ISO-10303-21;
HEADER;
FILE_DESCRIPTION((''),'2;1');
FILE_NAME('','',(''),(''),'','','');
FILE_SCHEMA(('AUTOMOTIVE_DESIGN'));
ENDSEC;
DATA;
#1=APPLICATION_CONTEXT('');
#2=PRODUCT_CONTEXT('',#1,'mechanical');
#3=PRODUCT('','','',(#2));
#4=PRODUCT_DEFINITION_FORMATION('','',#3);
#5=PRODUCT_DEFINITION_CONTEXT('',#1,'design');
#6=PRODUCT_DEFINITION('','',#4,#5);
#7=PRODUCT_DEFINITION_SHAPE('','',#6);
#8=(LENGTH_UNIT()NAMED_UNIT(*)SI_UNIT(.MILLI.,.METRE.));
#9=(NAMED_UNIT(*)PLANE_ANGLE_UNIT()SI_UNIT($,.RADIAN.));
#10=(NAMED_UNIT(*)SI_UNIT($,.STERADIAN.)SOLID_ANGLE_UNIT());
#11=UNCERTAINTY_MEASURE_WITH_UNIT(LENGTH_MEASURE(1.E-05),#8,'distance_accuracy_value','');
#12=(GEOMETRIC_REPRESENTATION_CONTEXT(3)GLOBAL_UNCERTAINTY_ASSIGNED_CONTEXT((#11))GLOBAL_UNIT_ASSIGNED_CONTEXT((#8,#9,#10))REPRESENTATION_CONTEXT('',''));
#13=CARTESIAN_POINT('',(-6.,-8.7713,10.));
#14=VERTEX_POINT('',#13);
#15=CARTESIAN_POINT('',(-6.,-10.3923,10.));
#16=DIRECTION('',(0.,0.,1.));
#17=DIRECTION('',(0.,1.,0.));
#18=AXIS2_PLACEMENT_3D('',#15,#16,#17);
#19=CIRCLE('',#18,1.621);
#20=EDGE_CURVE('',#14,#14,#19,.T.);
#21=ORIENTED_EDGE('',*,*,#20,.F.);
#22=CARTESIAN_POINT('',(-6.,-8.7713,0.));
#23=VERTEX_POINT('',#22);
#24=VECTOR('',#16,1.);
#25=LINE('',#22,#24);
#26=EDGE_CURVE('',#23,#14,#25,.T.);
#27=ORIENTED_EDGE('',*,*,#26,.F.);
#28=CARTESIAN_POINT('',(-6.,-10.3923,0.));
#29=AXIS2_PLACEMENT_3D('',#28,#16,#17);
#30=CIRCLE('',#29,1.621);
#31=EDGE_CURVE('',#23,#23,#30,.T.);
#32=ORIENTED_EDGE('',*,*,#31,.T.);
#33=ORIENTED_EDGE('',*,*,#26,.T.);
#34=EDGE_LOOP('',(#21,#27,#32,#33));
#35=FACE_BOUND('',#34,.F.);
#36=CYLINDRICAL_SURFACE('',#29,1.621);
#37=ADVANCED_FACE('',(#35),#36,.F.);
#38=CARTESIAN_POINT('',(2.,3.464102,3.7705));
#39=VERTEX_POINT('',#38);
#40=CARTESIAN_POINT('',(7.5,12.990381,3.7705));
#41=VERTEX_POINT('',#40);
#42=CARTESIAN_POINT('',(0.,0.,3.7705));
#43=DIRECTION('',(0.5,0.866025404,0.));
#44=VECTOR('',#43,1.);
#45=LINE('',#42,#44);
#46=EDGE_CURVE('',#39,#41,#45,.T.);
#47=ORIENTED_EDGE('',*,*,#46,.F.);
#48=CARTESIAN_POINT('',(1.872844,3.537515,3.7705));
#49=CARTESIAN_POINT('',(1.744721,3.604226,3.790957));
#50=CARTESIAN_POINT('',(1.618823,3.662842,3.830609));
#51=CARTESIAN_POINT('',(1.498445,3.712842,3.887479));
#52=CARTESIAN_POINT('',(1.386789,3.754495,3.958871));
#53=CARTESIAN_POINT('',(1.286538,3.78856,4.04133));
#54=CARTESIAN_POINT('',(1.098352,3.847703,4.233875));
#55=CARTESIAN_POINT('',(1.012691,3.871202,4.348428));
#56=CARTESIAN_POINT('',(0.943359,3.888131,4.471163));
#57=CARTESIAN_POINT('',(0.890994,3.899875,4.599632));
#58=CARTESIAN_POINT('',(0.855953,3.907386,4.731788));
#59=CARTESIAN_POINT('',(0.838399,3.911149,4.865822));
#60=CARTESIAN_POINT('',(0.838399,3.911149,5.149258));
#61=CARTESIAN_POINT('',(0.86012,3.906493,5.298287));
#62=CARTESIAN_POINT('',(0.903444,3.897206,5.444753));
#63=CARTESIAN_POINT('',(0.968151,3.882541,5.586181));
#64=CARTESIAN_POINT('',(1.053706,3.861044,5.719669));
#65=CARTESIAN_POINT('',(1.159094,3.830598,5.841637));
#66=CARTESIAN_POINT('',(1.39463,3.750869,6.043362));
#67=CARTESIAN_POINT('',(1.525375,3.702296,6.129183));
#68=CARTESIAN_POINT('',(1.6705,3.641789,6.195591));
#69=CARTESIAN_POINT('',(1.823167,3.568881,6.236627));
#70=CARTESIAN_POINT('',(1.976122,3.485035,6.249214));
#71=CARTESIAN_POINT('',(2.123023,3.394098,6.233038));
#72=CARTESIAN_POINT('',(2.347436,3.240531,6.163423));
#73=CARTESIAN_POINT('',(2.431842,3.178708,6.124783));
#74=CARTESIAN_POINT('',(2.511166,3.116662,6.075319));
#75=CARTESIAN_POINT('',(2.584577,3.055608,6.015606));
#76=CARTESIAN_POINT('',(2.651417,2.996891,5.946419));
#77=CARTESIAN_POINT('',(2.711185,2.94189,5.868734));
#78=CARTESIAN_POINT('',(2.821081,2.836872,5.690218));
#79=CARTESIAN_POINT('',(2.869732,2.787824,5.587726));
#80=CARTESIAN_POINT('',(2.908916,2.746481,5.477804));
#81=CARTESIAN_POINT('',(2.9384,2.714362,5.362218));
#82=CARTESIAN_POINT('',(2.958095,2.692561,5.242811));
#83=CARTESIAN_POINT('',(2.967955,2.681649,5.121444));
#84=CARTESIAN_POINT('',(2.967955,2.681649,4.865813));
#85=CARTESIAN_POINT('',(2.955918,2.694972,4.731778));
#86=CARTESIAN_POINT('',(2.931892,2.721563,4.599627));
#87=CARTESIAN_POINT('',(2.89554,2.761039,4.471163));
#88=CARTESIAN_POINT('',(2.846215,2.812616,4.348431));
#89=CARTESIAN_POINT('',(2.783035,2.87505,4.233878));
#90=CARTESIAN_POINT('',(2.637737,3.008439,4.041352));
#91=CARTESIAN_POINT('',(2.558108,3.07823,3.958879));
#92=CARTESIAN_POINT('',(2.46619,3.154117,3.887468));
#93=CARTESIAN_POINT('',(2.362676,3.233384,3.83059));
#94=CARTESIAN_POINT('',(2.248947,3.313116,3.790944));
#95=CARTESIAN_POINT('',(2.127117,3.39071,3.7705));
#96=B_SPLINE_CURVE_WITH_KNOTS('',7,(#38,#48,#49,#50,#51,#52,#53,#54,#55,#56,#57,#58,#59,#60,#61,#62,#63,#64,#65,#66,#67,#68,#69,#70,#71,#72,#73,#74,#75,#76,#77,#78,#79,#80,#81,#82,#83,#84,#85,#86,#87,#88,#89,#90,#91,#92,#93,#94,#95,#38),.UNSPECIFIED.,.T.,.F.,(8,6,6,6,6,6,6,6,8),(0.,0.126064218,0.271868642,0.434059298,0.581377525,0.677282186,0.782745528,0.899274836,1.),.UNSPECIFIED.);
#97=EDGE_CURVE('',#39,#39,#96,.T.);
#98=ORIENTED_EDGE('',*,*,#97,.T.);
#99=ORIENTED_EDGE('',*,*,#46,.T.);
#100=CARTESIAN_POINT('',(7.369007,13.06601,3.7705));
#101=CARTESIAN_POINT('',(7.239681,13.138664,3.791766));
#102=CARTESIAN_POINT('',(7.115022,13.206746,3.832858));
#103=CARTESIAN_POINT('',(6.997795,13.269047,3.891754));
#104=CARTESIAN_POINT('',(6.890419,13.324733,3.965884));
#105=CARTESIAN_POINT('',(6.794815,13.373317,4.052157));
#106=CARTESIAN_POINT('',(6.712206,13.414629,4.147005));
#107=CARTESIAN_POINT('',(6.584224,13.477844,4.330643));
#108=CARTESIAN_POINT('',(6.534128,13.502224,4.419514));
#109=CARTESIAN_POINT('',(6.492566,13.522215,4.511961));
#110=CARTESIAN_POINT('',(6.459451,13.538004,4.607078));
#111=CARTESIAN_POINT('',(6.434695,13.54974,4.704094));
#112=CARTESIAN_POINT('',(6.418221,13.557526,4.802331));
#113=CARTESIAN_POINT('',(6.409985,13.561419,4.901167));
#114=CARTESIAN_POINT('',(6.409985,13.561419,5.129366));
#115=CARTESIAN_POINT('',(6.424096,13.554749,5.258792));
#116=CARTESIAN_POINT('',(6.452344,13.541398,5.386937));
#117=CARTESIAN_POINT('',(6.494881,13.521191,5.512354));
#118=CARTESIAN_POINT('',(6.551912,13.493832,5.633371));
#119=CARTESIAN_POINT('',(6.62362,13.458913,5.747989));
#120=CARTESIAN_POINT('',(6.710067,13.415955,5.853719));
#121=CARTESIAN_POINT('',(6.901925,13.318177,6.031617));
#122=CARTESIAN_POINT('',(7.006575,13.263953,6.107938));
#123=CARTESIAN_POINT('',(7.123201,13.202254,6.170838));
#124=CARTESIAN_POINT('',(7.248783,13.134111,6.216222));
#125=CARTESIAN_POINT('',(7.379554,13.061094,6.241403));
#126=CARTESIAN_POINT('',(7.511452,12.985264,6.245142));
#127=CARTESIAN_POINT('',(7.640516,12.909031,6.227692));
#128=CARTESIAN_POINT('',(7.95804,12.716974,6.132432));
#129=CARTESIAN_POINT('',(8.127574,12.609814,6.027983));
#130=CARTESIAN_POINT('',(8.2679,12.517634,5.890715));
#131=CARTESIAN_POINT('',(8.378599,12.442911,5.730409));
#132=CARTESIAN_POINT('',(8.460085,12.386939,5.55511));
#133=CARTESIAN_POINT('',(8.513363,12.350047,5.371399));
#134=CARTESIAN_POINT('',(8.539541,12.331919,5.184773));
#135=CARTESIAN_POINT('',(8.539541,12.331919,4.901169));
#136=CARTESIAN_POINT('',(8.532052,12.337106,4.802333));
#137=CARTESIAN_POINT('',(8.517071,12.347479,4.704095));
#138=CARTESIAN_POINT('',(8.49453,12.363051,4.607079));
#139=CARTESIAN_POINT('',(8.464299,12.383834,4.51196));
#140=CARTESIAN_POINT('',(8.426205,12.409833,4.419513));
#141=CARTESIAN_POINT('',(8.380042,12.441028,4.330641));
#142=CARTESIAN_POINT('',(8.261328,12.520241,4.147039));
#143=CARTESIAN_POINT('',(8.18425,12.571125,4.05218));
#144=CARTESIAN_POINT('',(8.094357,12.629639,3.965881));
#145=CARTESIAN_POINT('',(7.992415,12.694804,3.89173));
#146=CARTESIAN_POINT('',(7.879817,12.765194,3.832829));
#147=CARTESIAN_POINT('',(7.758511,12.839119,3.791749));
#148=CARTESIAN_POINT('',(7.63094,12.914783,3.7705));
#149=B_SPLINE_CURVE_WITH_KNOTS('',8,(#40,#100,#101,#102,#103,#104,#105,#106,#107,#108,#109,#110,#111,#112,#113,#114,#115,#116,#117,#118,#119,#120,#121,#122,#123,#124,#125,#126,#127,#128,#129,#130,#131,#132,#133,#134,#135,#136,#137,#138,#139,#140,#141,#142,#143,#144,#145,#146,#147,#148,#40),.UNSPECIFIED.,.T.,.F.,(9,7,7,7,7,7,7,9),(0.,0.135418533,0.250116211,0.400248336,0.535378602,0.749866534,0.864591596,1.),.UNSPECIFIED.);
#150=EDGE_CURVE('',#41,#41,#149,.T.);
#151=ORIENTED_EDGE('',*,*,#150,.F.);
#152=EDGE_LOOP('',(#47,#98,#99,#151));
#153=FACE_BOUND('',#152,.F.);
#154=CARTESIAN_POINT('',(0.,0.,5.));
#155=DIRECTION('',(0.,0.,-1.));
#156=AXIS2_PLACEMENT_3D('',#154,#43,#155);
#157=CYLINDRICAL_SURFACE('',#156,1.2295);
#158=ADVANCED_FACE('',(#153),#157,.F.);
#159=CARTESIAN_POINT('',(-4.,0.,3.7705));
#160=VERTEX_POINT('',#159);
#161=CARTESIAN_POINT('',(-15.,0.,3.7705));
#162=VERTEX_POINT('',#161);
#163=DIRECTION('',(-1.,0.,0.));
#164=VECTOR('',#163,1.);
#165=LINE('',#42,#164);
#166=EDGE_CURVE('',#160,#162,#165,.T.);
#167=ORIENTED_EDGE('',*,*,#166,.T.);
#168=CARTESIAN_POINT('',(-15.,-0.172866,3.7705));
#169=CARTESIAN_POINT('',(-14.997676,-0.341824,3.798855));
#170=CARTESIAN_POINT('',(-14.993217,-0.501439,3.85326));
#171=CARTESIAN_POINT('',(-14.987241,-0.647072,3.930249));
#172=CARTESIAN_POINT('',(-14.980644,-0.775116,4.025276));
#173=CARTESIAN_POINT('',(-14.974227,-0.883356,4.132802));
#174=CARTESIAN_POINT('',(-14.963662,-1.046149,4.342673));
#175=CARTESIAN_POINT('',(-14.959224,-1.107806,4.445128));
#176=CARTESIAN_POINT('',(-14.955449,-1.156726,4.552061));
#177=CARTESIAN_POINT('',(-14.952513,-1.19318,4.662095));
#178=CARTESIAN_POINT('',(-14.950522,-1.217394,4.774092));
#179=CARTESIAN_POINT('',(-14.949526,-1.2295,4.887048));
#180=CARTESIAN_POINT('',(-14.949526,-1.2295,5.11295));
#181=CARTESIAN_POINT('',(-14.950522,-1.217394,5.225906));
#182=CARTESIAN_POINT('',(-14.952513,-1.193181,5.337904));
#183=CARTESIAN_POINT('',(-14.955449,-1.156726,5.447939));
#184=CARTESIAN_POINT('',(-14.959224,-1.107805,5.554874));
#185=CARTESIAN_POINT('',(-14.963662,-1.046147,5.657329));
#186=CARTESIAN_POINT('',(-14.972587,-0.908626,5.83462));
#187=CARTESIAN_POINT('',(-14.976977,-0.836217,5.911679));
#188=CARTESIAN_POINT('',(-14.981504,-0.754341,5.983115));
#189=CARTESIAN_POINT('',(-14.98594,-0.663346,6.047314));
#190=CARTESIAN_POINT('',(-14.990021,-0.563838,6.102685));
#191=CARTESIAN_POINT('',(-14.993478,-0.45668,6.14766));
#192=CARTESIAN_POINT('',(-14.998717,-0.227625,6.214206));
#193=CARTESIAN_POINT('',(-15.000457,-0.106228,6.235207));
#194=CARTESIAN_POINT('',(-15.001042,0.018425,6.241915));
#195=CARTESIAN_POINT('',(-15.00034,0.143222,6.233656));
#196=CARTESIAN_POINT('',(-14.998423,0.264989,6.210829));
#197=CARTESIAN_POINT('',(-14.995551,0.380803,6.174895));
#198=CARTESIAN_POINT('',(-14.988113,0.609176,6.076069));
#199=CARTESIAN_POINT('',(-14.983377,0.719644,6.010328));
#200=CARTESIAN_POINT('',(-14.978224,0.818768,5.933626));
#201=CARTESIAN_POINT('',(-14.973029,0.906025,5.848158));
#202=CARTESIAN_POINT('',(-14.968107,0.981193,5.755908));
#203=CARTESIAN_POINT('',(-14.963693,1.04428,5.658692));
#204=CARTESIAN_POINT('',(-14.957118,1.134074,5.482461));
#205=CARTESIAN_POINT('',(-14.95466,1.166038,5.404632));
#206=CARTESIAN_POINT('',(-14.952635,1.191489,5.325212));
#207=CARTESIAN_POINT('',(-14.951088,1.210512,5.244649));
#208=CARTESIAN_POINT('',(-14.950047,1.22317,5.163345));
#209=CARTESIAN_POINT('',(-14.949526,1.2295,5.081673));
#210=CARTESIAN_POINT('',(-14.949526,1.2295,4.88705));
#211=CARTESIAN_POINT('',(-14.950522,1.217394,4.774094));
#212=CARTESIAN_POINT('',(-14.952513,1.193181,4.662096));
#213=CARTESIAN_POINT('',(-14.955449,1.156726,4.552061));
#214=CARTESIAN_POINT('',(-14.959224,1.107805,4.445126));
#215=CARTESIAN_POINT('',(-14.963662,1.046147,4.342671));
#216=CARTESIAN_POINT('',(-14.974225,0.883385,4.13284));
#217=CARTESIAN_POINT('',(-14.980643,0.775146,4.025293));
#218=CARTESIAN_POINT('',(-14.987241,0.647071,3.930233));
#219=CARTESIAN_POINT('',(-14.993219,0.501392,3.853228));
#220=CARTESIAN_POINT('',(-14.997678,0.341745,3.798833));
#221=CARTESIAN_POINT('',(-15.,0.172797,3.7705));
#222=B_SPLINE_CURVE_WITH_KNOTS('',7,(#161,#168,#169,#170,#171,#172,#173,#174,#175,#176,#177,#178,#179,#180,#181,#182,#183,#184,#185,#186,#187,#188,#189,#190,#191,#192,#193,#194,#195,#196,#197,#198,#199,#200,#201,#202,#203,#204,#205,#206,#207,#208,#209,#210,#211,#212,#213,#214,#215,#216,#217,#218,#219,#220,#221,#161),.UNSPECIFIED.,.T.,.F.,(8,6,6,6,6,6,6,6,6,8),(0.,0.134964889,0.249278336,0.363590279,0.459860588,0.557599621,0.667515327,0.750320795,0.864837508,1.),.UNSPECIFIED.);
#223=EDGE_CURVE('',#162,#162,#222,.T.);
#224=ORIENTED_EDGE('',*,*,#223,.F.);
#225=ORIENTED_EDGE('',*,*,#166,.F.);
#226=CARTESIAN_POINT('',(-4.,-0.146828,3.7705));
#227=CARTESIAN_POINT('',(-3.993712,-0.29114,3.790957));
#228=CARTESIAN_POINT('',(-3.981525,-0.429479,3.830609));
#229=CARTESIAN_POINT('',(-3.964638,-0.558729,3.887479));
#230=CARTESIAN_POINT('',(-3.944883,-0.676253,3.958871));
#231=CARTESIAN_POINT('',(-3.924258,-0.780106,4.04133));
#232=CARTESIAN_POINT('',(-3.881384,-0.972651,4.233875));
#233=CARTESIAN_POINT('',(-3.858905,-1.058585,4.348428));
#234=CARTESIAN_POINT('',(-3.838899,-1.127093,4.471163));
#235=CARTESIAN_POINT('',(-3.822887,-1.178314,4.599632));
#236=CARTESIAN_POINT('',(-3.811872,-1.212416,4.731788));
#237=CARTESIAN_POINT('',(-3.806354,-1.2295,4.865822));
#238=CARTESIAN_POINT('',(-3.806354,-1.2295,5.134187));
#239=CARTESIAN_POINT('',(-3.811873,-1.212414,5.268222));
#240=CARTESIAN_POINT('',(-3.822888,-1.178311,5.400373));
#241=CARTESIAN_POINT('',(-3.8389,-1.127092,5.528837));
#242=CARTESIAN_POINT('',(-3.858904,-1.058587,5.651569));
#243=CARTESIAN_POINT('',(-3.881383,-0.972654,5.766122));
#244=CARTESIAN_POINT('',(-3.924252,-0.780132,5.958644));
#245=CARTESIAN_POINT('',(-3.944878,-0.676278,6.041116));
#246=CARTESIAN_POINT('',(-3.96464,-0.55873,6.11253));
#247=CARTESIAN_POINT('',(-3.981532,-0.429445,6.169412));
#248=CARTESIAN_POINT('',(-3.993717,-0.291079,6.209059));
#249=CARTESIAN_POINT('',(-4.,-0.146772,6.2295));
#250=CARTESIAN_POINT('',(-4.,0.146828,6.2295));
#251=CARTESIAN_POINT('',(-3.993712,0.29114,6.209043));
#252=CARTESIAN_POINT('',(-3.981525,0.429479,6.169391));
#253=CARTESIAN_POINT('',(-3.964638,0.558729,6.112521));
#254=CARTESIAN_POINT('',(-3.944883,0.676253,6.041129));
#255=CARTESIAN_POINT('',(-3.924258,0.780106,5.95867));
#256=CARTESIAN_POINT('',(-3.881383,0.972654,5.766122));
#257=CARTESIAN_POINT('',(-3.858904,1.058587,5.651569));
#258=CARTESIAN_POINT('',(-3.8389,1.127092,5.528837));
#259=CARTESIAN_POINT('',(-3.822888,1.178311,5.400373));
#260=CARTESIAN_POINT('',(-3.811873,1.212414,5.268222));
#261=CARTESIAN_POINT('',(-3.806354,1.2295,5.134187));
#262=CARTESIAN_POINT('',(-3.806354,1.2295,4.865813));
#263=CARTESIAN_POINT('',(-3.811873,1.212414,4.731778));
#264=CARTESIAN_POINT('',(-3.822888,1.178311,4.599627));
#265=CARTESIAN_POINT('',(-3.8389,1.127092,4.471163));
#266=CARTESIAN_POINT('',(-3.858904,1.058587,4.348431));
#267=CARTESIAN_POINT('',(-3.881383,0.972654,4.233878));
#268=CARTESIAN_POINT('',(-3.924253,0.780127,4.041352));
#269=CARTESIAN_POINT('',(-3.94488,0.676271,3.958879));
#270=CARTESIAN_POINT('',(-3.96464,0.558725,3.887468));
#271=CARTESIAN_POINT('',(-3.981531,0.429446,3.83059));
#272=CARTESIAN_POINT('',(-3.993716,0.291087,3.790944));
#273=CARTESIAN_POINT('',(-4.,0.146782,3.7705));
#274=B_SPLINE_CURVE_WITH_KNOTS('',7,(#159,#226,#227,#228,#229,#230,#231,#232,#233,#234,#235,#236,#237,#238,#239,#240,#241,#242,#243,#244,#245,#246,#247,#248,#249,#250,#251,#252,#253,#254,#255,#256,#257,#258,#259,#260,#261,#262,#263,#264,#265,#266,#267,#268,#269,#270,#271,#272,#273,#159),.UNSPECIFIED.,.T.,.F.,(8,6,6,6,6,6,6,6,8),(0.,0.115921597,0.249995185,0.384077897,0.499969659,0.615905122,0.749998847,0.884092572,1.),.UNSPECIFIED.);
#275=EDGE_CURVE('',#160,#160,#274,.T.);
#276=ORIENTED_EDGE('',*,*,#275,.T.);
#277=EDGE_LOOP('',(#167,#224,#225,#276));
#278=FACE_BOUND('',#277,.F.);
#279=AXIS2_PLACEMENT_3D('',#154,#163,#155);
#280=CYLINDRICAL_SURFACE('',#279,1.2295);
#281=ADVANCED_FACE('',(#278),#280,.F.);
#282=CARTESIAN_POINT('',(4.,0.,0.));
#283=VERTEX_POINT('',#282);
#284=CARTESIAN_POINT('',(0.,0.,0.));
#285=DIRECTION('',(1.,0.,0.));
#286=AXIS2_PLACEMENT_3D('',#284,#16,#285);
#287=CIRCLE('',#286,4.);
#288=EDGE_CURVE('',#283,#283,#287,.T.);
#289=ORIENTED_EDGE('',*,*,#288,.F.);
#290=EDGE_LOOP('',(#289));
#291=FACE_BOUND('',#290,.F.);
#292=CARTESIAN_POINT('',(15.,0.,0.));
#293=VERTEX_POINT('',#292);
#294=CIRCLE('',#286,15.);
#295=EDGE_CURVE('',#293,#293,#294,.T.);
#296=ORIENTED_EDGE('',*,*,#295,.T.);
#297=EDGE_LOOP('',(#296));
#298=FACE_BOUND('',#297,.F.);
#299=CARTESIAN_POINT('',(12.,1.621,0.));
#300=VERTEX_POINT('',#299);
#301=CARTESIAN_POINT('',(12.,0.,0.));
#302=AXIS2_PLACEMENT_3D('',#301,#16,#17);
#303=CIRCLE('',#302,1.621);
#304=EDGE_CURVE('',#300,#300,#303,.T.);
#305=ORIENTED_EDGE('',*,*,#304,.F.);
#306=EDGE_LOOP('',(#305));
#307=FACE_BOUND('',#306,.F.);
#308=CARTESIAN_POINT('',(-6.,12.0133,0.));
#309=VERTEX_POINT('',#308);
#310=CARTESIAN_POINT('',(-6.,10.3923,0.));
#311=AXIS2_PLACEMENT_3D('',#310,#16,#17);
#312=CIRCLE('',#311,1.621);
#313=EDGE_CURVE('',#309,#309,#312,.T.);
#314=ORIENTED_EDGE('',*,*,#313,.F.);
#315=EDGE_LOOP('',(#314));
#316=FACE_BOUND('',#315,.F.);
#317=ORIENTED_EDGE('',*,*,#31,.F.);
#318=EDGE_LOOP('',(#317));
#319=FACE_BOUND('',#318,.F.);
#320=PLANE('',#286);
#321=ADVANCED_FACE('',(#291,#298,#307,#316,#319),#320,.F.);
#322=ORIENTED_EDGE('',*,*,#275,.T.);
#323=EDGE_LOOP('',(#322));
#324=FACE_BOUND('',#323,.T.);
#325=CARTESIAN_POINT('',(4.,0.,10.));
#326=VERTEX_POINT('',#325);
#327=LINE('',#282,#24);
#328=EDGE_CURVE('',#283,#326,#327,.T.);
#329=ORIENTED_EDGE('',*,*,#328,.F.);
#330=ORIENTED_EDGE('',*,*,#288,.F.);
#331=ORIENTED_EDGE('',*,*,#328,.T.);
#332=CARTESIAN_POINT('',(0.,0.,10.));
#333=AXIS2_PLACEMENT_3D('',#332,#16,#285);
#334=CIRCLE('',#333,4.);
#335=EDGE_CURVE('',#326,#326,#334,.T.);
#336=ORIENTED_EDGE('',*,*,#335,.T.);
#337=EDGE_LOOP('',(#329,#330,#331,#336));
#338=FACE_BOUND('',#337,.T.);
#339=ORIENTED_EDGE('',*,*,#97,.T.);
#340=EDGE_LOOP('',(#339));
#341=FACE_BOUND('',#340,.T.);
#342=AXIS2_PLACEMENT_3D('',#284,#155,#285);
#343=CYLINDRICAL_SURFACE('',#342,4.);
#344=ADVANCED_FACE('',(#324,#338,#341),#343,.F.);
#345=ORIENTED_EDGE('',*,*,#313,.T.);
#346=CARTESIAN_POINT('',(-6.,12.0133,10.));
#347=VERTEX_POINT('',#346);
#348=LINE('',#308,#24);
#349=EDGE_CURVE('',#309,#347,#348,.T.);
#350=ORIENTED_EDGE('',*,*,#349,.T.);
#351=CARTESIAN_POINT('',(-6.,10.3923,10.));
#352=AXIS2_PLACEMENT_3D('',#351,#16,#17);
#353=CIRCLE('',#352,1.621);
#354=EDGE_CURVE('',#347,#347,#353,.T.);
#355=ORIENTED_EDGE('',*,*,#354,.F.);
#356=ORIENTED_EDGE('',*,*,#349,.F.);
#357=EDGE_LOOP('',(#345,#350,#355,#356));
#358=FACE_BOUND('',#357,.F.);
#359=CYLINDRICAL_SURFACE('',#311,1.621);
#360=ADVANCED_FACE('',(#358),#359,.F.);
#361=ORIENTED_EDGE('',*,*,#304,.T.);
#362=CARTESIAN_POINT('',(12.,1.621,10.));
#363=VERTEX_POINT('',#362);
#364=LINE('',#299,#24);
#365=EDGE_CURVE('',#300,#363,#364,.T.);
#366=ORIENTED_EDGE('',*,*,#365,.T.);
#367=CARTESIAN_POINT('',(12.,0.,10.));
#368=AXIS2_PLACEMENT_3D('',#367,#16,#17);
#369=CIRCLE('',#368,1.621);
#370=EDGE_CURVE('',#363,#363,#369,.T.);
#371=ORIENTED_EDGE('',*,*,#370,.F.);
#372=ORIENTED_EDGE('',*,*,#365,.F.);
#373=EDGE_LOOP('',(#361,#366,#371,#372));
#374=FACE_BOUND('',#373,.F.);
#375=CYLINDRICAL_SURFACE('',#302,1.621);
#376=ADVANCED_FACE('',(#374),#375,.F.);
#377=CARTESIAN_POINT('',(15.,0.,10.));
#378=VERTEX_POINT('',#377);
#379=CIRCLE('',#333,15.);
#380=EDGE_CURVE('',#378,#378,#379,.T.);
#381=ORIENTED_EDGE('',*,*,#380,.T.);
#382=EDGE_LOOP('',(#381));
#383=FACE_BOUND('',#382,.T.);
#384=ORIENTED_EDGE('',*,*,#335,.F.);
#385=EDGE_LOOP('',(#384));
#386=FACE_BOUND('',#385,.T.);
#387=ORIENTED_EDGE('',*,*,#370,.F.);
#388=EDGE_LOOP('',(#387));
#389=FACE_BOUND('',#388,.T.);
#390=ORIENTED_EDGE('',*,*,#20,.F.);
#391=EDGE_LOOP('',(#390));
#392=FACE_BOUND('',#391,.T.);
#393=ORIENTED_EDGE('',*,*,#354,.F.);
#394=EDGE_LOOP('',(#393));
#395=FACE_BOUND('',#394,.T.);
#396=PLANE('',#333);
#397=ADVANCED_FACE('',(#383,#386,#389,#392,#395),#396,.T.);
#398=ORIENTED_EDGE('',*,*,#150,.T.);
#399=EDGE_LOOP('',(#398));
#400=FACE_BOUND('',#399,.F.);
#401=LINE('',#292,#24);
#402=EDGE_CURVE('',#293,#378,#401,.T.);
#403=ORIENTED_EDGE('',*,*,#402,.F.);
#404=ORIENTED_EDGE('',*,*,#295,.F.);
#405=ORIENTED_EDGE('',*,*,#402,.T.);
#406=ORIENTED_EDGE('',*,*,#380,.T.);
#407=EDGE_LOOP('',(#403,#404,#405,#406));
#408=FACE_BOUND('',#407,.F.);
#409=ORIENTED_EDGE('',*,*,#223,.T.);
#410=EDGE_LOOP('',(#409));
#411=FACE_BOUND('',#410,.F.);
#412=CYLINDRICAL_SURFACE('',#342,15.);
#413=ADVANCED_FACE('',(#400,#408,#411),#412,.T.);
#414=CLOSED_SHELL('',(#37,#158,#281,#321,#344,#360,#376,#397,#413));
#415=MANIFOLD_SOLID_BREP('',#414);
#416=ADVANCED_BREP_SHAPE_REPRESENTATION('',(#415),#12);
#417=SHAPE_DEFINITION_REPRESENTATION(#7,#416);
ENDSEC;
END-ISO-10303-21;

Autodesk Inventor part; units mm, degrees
ref_plane "YZ Plane" through (0, 0, 0) normal (1, 0, 0) x (0, 1, 0)
ref_plane "XY Plane" through (0, 0, 0) normal (0, 0, 1) x (1, 0, 0)
sketch "Sketch1" plane through (0, 0, 0) normal (0, 0, 1) x (1, 0, 0)
  circle A0 centre (0, 0) radius 15
  circle A1 centre (0, 0) radius 4
  point P0 (12, 0)
  point P1 (-6, 10.3923)
  point P2 (-6, -10.3923)
  dimension "d0" = 30
  dimension "d1" = 12
  dimension "d2" = 8
  dimension "d5" = 360
extrude "Plate1" add sketch "Sketch1" along normal blind 10
hole "Hole1" at (12, 0, 0) at (-6, 10.3923, 0) at (-6, -10.3923, 0) direction (0, 0, 1) diameter 3.242 depth 15 tip angle 118 thread size "M4x0.7" class "6H" standard "ISO Metric profile"
sketch "Sketch2" plane through (0, 0, 0) normal (1, 0, 0) x (0, 1, 0)
  line L0 (4, 0) -> (-4, 0) projected
  point P0 (0, 0)
  point P1 (0, 5)
  dimension "d15" = 5
hole "Hole2" at (0, 0, 5) direction (-1, 0, 0) diameter 2.459 end through all thread size "M3x0.5" class "6H" standard "ISO Metric profile"
ref_plane "Work Plane1" through (0, 0, 0) normal (-0.5, -0.866, 0) x (0, 0, 1)
sketch "Sketch3" plane through (0, 0, 0) normal (-0.5, -0.866, 0) x (0, 0, 1)
  point P0 (0, 0)
  point P1 (5, 3.9111)
  point P2 (5, 0)
  dimension "d24" = 5
hole "Hole3" at (0, 0, 5) direction (0.5, 0.866, 0) diameter 2.459 end through all thread size "M3x0.5" class "6H" standard "ISO Metric profile"
equation "\"d7\" = Thickness"
equation "\"BendReliefDepth\" = 0.5 * Thickness"
equation "\"Thickness\" = 10"
properties part number "asmountAs4" material "Aluminum 6061"
